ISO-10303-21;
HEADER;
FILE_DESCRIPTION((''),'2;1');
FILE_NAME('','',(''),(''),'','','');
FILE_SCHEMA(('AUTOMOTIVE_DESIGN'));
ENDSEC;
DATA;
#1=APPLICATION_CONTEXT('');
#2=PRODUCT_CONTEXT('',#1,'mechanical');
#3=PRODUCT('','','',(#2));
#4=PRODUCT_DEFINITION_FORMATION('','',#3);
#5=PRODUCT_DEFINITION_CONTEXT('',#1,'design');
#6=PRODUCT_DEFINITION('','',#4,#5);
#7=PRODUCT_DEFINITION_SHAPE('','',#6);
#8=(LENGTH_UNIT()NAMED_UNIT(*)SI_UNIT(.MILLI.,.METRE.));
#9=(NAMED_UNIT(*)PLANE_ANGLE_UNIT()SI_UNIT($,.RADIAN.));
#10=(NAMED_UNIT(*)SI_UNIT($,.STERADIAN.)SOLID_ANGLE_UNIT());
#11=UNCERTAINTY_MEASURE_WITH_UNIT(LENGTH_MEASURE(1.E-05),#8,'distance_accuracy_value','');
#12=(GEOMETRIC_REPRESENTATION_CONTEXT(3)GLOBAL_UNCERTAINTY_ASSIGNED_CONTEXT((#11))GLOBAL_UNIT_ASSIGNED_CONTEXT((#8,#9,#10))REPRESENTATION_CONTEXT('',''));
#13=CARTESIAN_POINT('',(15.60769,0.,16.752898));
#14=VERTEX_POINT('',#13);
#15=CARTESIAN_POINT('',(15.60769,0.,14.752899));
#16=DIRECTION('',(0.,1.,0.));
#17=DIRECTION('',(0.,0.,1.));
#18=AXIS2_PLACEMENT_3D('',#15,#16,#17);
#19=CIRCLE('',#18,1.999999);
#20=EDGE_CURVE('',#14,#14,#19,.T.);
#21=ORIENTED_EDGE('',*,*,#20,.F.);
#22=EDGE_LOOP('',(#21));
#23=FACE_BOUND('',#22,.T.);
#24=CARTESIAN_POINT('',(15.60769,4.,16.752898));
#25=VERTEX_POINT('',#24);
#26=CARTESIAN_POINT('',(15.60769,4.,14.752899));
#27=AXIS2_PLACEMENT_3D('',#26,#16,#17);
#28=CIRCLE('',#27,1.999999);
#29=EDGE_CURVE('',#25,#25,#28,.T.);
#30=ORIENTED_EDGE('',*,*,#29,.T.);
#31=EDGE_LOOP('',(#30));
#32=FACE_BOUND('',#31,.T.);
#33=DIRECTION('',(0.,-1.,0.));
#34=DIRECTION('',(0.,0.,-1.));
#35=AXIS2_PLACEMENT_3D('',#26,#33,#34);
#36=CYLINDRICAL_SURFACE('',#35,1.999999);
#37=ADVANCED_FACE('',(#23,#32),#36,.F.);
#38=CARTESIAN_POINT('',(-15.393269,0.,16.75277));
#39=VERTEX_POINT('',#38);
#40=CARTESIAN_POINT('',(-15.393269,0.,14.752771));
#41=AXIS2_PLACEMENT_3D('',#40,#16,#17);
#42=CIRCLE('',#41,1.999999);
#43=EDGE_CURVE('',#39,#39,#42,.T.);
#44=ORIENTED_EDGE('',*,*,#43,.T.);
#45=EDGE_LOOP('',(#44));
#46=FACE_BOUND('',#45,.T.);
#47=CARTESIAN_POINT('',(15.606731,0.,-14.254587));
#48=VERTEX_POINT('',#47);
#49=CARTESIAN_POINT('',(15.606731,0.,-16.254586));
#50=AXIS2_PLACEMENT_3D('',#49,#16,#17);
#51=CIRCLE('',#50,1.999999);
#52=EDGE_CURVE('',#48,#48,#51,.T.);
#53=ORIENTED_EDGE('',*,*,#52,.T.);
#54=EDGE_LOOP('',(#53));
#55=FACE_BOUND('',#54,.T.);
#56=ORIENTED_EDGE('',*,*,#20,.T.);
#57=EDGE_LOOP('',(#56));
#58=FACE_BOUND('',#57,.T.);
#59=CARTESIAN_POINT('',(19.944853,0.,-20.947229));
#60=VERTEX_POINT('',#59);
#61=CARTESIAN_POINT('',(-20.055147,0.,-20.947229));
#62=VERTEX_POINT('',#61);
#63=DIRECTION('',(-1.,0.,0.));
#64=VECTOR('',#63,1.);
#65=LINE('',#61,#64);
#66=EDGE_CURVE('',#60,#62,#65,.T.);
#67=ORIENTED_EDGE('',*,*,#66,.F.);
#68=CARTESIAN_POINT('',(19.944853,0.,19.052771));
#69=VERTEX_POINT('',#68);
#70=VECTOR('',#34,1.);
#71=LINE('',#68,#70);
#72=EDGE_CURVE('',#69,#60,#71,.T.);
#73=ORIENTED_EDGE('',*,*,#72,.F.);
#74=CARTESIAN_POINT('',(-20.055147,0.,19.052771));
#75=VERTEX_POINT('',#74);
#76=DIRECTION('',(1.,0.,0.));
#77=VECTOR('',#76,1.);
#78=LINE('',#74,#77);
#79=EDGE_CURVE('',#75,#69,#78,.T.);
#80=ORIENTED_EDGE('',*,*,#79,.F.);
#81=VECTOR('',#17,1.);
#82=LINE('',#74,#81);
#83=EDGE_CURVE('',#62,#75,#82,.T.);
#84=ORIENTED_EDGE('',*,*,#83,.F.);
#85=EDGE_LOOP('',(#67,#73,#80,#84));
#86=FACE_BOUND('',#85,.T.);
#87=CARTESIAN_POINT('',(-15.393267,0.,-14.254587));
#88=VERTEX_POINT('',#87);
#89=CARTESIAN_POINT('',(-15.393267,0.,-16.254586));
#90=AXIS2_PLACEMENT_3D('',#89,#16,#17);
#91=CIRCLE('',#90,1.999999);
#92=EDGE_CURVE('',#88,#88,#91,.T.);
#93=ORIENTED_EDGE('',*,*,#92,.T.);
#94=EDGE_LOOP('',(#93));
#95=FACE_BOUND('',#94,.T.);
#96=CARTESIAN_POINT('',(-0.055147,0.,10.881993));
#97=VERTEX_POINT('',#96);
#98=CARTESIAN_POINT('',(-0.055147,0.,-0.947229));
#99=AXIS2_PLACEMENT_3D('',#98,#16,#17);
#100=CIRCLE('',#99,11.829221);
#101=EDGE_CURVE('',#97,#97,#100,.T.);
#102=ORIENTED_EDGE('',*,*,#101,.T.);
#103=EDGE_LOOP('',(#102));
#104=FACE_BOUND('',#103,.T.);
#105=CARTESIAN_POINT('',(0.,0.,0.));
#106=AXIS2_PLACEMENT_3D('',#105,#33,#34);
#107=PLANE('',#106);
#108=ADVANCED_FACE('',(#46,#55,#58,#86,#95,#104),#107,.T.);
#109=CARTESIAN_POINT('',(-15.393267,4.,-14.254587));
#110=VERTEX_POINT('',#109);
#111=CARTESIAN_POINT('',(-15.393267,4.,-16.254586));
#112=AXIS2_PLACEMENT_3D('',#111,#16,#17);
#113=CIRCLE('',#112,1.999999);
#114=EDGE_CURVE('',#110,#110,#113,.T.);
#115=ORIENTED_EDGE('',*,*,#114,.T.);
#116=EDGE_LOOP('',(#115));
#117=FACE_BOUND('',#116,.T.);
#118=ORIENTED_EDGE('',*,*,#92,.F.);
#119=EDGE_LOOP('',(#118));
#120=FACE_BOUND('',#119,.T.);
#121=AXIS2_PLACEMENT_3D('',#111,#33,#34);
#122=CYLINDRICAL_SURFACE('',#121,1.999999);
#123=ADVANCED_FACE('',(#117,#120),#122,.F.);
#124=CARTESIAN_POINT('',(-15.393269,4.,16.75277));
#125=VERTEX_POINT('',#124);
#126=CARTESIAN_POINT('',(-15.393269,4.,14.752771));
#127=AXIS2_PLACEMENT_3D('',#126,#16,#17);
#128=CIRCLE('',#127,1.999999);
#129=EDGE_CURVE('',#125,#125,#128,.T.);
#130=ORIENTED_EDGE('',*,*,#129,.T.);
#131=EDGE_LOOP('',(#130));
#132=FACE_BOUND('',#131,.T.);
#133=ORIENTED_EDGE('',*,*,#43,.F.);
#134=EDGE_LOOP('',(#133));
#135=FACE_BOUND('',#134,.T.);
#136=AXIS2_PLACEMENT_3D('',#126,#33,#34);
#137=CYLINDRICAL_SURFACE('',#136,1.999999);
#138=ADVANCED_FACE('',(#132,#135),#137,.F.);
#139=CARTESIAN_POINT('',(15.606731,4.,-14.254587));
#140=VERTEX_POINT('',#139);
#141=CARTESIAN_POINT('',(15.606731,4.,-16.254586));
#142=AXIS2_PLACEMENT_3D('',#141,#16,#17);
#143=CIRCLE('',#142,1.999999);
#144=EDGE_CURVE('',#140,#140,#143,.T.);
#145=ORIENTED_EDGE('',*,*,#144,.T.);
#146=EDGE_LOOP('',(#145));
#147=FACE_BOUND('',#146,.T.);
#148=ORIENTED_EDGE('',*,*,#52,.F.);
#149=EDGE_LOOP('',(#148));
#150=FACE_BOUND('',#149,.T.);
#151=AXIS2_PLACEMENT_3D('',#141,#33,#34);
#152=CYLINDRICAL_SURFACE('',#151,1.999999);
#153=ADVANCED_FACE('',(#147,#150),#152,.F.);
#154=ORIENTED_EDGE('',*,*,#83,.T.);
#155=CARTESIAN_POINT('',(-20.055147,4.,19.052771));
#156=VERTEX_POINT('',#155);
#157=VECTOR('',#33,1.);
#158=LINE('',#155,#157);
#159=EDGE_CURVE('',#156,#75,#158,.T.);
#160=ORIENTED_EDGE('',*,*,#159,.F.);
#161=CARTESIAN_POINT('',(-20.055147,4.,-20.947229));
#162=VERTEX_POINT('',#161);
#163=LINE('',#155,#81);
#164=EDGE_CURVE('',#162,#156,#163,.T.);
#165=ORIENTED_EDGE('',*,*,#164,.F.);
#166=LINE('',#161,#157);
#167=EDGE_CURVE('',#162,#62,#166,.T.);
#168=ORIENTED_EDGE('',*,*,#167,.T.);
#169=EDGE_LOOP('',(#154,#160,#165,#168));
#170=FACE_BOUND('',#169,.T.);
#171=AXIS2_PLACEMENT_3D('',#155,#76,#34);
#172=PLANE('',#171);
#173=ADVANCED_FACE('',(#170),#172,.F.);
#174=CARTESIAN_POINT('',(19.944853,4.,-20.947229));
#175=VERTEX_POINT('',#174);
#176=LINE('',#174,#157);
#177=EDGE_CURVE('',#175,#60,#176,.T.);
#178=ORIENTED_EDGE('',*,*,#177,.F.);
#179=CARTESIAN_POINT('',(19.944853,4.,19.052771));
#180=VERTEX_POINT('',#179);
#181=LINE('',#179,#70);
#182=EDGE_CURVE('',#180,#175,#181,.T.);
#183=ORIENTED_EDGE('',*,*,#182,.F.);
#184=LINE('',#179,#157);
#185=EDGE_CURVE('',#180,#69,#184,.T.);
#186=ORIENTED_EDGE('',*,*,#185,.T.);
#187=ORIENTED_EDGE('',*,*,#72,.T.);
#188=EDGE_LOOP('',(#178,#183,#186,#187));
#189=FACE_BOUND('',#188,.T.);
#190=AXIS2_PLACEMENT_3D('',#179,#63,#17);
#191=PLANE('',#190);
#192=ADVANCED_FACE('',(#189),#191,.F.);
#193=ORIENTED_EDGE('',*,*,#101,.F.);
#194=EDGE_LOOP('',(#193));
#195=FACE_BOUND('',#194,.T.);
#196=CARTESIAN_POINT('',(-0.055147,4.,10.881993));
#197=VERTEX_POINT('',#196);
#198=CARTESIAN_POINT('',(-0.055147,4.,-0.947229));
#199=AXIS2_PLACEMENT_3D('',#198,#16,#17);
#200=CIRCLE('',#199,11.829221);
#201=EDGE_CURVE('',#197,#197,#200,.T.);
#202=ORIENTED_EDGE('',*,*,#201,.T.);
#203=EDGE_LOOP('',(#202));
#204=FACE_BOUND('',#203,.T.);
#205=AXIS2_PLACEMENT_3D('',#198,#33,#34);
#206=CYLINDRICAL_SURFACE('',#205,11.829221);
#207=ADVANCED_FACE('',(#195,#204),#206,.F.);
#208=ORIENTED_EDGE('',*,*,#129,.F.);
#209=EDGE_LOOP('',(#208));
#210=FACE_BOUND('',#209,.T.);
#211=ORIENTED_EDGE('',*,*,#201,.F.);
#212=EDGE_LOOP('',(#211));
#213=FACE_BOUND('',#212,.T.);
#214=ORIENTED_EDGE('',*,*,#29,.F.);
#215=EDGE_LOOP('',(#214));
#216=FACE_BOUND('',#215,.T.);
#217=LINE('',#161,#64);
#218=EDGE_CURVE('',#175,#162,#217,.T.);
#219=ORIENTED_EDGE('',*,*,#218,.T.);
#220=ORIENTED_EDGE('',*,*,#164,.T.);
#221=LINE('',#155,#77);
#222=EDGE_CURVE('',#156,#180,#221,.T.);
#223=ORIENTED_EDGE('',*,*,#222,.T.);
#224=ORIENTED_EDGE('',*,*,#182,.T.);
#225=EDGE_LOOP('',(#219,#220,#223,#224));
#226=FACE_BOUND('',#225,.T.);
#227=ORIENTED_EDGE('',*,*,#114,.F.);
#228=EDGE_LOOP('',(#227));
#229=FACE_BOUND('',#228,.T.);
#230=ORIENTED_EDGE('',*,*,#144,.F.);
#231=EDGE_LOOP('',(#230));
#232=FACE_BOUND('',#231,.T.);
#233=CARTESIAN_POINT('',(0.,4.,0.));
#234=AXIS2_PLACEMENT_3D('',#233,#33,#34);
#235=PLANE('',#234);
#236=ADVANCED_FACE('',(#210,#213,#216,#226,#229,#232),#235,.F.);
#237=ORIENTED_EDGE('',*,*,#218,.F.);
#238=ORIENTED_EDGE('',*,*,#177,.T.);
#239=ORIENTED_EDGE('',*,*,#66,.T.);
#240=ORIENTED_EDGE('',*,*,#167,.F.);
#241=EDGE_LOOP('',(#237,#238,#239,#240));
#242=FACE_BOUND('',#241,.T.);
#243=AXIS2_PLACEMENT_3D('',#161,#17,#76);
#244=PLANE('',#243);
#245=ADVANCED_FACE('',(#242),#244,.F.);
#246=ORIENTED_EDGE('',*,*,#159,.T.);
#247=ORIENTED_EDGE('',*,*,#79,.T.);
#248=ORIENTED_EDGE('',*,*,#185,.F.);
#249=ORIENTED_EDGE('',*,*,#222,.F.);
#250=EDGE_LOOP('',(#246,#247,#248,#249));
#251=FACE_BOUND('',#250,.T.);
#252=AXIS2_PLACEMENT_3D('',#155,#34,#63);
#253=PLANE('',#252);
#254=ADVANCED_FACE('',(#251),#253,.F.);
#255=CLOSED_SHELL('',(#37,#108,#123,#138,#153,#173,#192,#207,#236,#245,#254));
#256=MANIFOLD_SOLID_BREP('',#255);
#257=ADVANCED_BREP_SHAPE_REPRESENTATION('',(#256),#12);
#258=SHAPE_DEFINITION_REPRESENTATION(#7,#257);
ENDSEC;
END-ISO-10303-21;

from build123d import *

# Parameters (mm, degrees)
SKETCH1_W           = 40
SKETCH1_H           = 40
SKETCH1_R           = 11.82922145
SKETCH1_R_2         = 1.999999076
BOSS_EXTRUDE1_DEPTH = 4


with BuildPart() as part:
    # Sketch1 → Boss-Extrude1 (new body)
    with BuildSketch(Plane(origin=(0, 0, 0), x_dir=(1, 0, 0), z_dir=(0, 1, 0))):
        with Locations((-0.055147057, 0.947228794)):
            Rectangle(SKETCH1_W, SKETCH1_H)
        with Locations(Location((-0.055147057, 0.947228794, 0), (0, 0, 270))):
            Circle(SKETCH1_R, mode=Mode.SUBTRACT)
        with Locations(Location((-15.393266989, 16.254586215, 0), (0, 0, 270))):
            Circle(SKETCH1_R_2, mode=Mode.SUBTRACT)
        with Locations(Location((15.606731446, 16.254585764, 0), (0, 0, 270))):
            Circle(SKETCH1_R_2, mode=Mode.SUBTRACT)
        with Locations(Location((-15.393268838, -14.752771206, 0), (0, 0, 270))):
            Circle(SKETCH1_R_2, mode=Mode.SUBTRACT)
        with Locations(Location((15.607689771, -14.752898519, 0), (0, 0, 270))):
            Circle(SKETCH1_R_2, mode=Mode.SUBTRACT)
    extrude(amount=BOSS_EXTRUDE1_DEPTH)


solid = part.part
